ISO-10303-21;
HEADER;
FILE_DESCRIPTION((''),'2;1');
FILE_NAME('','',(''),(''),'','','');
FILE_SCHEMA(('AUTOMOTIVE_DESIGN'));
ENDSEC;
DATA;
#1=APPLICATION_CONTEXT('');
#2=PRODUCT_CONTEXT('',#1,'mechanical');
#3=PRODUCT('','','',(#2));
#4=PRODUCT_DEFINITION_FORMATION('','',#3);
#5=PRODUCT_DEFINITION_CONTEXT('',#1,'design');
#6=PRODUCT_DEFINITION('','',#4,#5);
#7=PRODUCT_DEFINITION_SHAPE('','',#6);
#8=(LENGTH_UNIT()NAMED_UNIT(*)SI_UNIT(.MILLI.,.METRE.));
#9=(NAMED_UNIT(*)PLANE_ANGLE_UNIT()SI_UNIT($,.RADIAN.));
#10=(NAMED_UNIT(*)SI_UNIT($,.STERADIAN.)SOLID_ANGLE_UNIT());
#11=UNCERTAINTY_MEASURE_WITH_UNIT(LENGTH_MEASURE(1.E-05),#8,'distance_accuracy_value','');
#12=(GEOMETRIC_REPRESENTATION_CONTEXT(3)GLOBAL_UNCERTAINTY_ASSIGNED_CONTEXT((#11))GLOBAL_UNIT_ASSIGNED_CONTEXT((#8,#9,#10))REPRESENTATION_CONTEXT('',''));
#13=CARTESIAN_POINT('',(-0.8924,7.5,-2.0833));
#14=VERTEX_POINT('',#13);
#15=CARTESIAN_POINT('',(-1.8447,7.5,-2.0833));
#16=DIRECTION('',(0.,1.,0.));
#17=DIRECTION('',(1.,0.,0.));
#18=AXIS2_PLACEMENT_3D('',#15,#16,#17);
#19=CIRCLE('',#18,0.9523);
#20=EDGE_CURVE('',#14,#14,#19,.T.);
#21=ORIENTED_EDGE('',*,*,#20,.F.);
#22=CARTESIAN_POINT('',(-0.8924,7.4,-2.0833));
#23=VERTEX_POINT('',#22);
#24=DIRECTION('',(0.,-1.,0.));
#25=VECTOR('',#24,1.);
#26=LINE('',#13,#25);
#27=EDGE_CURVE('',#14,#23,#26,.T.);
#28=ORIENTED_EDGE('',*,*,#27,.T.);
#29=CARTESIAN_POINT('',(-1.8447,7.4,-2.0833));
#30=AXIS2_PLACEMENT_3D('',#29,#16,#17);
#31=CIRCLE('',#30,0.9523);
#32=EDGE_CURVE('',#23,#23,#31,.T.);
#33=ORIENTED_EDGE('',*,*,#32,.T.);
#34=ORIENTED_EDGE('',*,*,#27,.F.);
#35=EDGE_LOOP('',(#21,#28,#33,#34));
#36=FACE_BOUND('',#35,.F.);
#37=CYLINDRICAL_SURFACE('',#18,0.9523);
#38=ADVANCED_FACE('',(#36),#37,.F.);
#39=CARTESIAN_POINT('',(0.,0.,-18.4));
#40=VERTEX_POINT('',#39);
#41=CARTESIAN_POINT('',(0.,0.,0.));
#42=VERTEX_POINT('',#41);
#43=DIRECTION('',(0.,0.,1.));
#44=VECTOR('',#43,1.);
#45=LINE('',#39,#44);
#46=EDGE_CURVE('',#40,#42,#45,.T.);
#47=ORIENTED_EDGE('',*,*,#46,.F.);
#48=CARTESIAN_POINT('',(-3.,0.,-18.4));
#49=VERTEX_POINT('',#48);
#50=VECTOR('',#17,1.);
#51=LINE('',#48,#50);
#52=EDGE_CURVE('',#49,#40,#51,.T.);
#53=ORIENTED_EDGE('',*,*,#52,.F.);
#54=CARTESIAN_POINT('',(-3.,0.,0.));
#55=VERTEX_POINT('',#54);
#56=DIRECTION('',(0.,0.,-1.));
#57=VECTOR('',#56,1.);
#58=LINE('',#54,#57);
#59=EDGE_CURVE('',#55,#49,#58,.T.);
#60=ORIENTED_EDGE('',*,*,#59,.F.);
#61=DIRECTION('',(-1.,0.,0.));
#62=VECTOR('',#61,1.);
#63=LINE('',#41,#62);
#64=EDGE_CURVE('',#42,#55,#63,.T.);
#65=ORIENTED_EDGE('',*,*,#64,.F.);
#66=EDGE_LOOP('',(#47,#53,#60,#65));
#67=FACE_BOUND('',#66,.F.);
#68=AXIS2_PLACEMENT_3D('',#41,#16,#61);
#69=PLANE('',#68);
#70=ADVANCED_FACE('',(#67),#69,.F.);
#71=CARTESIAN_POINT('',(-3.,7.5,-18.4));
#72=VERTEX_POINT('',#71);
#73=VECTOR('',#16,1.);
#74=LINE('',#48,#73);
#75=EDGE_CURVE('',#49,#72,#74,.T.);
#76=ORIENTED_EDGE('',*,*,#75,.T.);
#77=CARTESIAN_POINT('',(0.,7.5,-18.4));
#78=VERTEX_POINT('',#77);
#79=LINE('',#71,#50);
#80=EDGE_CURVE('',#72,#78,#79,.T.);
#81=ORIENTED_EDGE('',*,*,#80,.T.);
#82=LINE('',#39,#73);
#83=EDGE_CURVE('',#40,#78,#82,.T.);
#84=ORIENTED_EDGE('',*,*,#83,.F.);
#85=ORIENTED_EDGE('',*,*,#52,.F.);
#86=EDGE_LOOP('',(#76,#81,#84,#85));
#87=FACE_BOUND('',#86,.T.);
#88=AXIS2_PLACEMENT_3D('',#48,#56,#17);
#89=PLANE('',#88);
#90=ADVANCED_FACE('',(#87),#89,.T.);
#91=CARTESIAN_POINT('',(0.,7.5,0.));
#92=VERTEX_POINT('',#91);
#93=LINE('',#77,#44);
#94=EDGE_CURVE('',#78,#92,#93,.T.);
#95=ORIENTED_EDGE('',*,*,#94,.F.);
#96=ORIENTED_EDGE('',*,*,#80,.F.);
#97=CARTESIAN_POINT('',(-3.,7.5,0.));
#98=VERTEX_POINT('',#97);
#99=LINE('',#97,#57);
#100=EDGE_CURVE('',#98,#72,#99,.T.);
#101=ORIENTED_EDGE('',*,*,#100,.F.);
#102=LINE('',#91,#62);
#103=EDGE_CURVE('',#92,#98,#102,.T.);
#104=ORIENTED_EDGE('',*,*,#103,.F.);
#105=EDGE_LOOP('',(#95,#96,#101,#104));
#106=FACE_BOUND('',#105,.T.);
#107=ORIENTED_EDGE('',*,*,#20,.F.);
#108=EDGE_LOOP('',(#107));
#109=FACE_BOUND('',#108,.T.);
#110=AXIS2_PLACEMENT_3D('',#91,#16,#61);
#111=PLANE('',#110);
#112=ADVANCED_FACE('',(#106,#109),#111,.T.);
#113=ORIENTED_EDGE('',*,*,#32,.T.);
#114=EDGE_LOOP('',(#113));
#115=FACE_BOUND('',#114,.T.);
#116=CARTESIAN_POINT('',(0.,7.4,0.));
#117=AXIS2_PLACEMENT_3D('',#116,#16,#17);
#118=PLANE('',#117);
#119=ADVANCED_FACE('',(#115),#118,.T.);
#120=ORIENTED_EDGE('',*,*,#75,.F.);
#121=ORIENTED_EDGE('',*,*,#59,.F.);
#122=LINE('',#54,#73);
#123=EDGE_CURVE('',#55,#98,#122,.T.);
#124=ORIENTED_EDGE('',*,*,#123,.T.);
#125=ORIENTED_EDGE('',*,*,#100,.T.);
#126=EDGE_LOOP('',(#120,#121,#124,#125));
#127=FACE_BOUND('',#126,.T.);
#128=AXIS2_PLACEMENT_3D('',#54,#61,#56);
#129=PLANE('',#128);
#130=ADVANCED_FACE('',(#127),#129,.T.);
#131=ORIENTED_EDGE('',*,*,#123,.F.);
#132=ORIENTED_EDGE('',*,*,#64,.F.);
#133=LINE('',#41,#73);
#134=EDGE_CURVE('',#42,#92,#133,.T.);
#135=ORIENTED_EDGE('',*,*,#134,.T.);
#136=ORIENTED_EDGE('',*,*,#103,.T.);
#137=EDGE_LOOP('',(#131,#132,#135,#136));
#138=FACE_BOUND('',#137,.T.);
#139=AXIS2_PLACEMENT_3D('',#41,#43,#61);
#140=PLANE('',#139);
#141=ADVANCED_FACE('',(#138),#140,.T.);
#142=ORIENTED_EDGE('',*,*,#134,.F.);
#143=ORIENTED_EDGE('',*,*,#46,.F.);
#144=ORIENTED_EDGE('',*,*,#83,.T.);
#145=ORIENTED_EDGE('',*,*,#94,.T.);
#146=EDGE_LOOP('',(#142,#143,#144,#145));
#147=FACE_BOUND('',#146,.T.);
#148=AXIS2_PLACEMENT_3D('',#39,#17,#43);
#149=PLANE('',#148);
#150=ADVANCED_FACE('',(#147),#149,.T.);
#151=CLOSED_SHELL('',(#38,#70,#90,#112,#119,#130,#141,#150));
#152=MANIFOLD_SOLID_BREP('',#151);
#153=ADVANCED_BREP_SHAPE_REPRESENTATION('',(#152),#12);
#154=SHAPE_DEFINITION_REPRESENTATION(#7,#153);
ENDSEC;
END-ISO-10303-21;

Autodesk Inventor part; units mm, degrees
ref_plane "YZ Plane" through (0, 0, 0) normal (1, 0, 0) x (0, 1, 0)
ref_plane "XZ Plane" through (0, 0, 0) normal (0, 1, 0) x (-1, 0, 0)
ref_plane "XY Plane" through (0, 0, 0) normal (0, 0, 1) x (1, 0, 0)
sketch "Sketch1" plane through (0, 0, 0) normal (0, 1, 0) x (-1, 0, 0)
  line L0 (0, 0) -> (3, 0)
  line L1 (3, 0) -> (3, -18.4)
  line L2 (3, -18.4) -> (0, -18.4)
  line L3 (0, -18.4) -> (0, 0)
  dimension "d0" = 3
  dimension "d1" = 18.4
extrude "Extrusion1" add sketch "Sketch1" along normal blind 7.5
sketch "Sketch2" plane through (0, 7.5, 0) normal (0, 1, 0) x (1, 0, 0)
  circle A0 centre (-1.8447, 2.0833) radius 0.9523
  point P0 (0, 0)
extrude "Extrusion2" cut sketch "Sketch2" against normal blind 0.1
properties part number "backside"
